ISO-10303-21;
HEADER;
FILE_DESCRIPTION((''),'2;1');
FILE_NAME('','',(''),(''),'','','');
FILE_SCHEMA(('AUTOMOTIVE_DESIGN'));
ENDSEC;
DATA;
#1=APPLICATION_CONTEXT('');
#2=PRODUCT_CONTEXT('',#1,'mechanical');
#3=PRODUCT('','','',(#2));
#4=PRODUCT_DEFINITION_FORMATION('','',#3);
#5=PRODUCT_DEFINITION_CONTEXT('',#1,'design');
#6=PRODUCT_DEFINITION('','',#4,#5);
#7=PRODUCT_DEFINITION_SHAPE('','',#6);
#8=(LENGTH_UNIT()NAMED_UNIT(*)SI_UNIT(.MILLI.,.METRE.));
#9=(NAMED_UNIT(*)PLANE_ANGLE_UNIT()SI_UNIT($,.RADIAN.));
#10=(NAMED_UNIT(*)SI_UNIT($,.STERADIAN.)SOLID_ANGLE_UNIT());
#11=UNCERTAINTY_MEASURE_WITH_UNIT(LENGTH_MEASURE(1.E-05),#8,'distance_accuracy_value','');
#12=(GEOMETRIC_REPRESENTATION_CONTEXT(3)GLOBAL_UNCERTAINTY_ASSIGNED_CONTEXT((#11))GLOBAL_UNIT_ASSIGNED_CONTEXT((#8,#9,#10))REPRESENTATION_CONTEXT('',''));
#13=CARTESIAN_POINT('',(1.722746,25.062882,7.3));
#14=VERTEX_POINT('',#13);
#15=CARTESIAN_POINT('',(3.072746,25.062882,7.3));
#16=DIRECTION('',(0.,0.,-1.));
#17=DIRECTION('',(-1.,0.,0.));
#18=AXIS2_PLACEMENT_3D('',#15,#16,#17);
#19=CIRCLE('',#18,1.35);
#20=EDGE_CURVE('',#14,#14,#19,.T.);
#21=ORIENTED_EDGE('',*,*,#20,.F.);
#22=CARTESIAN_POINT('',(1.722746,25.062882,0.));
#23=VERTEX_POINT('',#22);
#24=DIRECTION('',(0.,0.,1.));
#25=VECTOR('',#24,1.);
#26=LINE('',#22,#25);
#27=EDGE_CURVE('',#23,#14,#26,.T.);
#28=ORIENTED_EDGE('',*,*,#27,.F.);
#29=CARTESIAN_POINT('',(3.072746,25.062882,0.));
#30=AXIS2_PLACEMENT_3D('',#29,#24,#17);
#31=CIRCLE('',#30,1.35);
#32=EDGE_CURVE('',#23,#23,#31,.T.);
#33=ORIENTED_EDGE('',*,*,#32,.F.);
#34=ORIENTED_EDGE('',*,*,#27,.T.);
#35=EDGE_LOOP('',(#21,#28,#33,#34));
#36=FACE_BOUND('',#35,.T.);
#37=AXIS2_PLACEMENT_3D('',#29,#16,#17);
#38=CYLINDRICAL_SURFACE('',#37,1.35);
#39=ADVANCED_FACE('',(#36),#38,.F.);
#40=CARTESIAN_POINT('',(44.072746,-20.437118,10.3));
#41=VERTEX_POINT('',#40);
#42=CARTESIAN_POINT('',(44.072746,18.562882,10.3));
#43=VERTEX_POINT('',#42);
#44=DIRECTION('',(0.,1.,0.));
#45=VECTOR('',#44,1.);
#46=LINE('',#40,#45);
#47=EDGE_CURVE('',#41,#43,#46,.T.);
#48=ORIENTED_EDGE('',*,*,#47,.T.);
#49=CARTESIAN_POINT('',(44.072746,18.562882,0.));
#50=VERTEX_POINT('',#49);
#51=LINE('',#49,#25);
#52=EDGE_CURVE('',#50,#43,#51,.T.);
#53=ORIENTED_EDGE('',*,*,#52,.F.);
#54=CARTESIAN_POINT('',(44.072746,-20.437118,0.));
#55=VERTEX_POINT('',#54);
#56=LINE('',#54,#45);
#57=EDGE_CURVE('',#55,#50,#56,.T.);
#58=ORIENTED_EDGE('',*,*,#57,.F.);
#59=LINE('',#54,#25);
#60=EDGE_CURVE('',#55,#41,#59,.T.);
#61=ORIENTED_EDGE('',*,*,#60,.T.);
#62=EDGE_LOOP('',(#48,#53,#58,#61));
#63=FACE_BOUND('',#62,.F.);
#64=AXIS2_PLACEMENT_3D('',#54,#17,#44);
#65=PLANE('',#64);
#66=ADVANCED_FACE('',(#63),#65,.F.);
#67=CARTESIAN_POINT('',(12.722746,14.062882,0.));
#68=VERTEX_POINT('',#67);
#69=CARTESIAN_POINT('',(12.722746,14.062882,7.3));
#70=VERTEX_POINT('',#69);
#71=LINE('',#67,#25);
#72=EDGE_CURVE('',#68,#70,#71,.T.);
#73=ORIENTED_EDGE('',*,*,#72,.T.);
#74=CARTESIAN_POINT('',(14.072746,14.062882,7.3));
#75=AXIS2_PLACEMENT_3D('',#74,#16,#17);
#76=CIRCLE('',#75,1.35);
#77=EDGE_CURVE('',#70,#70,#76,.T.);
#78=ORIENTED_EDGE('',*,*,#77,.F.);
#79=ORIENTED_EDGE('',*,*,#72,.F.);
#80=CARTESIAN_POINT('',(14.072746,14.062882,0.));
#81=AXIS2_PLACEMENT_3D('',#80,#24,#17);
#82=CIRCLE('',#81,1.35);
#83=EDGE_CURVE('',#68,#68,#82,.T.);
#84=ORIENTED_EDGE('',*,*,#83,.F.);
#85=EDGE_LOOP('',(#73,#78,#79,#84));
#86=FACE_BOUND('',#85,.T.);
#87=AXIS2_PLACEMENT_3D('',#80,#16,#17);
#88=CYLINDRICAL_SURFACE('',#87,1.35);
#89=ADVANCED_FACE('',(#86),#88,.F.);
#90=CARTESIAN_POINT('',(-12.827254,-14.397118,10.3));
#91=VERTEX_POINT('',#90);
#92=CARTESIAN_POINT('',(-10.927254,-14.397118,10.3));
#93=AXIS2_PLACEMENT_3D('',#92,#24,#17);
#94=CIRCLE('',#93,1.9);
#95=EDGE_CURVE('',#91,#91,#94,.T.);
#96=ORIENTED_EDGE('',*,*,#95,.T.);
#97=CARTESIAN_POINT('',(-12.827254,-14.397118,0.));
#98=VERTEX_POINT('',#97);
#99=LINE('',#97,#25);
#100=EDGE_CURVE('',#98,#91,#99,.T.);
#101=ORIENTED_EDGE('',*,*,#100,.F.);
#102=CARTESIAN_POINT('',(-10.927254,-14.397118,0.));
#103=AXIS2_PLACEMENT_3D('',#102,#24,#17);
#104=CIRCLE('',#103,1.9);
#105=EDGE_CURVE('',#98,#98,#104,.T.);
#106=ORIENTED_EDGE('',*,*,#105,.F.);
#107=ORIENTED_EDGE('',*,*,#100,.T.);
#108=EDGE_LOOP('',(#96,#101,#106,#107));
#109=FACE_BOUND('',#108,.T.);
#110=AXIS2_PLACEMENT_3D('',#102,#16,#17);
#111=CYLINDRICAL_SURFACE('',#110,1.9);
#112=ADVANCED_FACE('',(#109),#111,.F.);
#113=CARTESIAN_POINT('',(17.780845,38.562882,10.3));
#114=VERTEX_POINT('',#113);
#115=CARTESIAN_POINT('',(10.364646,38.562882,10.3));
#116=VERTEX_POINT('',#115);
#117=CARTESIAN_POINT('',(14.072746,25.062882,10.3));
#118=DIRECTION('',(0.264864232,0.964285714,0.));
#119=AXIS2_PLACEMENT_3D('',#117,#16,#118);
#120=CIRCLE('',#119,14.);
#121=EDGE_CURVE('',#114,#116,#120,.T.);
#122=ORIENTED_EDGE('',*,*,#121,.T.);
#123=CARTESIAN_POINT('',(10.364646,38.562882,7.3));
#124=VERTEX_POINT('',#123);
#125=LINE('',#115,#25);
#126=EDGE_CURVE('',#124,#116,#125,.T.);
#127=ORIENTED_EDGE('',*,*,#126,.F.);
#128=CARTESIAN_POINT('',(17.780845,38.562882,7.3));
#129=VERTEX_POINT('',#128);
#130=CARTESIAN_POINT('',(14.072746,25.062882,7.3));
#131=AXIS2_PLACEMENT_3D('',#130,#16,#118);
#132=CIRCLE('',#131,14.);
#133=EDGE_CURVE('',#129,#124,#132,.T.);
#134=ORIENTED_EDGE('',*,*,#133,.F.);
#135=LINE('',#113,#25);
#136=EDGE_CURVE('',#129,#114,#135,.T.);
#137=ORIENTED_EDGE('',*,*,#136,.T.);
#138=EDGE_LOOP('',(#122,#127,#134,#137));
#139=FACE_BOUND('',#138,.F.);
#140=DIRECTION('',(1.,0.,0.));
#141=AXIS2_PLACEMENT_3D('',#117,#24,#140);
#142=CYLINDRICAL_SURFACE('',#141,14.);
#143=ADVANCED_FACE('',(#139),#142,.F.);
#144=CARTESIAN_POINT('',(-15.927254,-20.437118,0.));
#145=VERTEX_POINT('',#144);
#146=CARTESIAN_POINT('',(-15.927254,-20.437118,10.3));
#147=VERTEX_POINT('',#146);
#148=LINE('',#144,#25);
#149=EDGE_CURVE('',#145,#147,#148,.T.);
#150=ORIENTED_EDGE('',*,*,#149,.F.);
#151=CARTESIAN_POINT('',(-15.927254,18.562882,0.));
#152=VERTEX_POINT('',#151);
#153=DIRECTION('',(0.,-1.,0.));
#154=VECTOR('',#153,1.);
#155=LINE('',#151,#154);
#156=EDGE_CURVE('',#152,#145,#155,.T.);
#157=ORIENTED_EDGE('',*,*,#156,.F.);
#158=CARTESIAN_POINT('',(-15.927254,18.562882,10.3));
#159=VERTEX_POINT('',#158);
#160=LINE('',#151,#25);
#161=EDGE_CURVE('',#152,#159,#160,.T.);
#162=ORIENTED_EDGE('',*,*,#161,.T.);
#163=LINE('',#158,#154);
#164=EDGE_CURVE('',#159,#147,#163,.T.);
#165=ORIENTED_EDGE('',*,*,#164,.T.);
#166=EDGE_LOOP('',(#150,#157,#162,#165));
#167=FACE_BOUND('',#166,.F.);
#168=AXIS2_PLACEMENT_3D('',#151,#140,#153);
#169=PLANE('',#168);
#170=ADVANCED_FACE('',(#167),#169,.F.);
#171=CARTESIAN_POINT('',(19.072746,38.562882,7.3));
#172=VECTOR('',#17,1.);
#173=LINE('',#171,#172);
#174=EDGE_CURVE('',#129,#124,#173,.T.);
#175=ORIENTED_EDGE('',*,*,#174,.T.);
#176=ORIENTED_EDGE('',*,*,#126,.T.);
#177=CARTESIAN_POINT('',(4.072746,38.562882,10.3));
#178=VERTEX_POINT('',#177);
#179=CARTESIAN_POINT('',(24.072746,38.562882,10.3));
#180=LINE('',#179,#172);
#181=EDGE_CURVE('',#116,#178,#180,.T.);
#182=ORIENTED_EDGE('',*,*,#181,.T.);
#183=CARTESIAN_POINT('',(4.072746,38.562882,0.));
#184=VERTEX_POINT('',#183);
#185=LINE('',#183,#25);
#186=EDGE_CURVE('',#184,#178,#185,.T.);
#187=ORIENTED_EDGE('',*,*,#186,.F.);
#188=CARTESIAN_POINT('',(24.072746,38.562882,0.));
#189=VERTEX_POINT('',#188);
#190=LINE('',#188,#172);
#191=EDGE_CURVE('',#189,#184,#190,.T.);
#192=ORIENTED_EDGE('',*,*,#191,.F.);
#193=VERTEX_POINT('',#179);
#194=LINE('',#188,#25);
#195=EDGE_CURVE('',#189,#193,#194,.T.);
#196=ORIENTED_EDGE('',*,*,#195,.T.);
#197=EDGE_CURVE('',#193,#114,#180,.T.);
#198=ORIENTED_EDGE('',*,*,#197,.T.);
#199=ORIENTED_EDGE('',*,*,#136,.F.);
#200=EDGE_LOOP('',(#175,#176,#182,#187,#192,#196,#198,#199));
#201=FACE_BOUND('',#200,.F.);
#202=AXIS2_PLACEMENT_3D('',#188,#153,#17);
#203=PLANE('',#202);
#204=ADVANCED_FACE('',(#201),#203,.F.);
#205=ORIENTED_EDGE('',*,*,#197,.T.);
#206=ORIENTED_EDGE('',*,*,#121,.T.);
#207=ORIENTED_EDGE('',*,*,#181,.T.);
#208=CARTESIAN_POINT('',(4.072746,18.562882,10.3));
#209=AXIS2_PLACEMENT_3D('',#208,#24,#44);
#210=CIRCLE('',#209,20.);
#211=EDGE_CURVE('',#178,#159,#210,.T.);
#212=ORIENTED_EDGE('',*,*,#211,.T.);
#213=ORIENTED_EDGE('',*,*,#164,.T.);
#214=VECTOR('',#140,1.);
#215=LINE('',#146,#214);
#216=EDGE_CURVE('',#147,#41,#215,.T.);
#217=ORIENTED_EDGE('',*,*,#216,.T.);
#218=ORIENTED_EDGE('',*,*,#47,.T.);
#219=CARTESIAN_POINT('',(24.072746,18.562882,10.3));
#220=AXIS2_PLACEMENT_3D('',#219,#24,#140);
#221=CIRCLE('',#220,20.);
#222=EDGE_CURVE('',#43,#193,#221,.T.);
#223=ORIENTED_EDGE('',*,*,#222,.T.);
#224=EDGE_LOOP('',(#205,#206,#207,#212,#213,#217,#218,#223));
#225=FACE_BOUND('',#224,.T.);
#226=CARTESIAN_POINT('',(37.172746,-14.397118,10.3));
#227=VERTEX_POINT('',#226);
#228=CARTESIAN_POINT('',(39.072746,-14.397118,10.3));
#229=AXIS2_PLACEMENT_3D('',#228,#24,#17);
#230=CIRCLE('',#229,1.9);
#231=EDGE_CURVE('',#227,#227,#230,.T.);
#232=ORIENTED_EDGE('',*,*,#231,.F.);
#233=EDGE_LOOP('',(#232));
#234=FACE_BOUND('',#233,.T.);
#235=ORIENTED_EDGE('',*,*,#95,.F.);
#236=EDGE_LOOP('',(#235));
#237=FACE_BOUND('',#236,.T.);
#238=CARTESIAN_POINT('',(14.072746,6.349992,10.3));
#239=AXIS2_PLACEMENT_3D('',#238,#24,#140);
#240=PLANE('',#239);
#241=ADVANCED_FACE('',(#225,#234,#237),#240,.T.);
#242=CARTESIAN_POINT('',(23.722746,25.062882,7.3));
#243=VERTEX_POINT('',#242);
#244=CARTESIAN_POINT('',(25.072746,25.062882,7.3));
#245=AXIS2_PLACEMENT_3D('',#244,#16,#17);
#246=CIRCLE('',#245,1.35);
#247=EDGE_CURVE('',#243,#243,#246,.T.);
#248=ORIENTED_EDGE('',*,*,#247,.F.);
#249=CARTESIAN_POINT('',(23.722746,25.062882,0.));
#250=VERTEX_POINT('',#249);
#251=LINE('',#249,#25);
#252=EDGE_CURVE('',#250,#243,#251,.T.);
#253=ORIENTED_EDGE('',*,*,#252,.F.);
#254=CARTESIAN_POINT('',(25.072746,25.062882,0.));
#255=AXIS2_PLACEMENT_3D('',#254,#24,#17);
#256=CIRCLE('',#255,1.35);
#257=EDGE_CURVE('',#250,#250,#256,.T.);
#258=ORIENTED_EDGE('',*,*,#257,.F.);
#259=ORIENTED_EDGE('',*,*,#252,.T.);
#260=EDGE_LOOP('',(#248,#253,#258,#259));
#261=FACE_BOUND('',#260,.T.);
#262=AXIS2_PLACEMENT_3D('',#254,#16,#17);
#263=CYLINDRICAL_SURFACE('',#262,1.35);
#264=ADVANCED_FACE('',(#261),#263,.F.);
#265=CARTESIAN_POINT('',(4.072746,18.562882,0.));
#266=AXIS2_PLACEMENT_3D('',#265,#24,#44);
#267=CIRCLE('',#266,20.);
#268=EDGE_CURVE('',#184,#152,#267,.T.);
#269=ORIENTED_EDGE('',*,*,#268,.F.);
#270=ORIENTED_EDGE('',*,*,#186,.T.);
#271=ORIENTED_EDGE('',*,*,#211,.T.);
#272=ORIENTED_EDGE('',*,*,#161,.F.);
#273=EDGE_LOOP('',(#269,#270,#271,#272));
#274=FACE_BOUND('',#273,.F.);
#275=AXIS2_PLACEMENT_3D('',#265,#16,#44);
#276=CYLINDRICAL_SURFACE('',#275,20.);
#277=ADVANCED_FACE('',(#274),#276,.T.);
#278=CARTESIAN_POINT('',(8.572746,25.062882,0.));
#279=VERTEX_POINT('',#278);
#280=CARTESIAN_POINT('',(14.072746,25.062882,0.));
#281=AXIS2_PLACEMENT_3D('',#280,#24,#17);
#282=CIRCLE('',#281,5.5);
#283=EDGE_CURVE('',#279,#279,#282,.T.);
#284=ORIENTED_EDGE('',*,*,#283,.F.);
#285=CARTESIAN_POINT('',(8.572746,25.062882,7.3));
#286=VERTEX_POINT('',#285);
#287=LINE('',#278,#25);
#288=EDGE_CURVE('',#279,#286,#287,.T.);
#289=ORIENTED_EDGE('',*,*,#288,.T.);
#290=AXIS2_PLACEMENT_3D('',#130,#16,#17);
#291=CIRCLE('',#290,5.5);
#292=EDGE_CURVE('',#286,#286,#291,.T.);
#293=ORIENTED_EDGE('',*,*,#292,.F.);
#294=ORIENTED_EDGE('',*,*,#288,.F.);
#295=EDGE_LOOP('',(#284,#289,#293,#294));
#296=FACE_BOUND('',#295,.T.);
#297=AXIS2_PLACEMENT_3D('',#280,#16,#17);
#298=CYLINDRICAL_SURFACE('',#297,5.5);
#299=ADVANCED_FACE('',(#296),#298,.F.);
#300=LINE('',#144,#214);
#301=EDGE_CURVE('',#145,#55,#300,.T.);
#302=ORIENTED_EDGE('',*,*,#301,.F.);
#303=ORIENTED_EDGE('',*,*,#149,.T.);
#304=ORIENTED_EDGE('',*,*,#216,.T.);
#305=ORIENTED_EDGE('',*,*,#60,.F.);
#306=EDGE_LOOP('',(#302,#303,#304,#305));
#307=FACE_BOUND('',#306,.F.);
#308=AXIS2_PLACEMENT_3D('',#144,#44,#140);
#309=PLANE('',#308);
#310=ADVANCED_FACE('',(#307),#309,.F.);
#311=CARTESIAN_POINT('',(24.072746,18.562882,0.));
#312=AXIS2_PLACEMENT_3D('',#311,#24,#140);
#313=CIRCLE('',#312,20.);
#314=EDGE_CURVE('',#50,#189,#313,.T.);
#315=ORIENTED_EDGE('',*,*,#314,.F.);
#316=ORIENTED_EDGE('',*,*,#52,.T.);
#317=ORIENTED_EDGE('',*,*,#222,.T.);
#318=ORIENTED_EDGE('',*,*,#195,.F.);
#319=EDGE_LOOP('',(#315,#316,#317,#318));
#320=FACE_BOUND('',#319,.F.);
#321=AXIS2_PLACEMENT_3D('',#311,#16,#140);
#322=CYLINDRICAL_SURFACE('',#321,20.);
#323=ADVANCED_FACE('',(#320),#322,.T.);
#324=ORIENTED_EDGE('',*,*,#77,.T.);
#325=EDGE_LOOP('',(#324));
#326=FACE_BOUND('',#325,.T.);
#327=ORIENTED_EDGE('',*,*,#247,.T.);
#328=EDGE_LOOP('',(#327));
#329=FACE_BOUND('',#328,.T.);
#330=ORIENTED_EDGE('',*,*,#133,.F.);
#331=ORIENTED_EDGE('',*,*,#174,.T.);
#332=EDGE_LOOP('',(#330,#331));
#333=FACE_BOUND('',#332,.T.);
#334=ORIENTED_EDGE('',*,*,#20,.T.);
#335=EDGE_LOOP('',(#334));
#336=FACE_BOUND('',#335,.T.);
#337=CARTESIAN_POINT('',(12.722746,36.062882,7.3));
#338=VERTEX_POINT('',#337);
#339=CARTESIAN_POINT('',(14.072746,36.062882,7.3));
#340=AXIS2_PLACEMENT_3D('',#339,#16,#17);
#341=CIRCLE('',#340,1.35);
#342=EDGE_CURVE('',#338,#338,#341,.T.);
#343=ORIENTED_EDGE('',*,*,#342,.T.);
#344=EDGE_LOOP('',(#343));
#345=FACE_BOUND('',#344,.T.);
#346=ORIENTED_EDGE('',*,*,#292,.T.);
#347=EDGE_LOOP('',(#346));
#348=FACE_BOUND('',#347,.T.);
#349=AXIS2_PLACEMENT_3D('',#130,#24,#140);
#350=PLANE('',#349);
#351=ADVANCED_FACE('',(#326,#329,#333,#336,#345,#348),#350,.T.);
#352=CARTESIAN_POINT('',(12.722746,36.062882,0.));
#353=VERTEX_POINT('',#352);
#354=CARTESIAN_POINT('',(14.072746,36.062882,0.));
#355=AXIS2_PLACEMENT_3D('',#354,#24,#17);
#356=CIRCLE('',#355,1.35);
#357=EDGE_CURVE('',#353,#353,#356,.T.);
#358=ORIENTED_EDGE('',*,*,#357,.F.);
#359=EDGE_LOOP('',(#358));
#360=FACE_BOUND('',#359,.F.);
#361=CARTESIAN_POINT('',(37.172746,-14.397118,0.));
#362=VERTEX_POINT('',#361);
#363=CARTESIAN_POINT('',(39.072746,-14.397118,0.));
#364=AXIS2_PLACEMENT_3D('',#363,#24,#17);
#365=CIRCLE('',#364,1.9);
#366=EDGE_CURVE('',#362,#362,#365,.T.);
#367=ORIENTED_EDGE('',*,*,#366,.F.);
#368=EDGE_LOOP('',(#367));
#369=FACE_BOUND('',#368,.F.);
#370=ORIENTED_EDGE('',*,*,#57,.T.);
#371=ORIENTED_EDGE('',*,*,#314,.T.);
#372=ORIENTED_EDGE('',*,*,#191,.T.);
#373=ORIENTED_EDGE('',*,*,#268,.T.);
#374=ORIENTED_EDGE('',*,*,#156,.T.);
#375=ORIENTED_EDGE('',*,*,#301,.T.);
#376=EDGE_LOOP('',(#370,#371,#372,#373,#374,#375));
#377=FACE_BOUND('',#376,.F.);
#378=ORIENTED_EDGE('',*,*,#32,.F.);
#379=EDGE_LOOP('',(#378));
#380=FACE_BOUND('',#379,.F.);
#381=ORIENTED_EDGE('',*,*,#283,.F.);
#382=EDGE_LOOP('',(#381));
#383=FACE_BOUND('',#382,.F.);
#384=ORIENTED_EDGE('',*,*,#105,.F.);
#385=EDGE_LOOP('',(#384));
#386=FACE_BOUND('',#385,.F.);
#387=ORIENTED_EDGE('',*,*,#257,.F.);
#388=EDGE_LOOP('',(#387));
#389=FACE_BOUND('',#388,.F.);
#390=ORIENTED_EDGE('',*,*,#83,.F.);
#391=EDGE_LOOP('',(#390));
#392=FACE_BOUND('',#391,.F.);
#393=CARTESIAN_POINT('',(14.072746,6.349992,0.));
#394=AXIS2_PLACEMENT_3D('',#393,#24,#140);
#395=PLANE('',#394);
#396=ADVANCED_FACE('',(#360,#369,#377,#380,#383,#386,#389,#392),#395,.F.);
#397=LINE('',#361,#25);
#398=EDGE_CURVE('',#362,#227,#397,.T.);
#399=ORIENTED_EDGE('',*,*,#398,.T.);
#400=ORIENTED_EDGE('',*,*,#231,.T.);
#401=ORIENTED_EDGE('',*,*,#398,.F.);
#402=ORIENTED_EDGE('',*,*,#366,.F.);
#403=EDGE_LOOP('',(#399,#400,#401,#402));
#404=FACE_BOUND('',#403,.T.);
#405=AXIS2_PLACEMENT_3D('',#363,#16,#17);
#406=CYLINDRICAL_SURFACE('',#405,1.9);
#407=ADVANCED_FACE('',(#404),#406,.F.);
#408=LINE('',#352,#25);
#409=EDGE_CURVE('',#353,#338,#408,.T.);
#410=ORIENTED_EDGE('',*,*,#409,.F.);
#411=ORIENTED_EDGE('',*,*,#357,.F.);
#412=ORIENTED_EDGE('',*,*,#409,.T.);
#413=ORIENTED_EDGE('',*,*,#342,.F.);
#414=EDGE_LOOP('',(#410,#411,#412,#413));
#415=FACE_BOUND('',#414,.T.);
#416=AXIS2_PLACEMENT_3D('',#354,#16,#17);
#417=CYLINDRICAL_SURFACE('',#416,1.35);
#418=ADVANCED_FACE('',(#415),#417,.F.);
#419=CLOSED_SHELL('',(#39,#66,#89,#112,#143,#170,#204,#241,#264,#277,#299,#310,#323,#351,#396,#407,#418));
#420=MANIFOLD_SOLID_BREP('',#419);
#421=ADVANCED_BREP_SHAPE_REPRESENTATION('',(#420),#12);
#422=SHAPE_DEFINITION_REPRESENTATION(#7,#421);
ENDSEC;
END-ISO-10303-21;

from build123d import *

# Parameters (mm, degrees)
IZIM1_R                     = 1.9
IZIM1_R_2                   = 5.5
IZIM1_R_3                   = 1.35
Y_KSEKLIK_EKSTR_ZYON1_DEPTH = 10.3
IZIM2_R                     = 14
KES_EKSTR_ZYON1_DEPTH       = 3


with BuildPart() as part:
    # Çizim1 → Yükseklik-Ekstrüzyon1 (new body)
    with BuildSketch(Plane.XY):
        with BuildLine():
            Line((-15.927254298, -20.437118131), (44.072745702, -20.437118131))
            Line((44.072745702, -20.437118131), (44.072745702, 18.562881869))
            ThreePointArc((44.072745702, 18.562881869), (38.214881326, 32.705017493), (24.072745702, 38.562881869))
            Line((24.072745702, 38.562881869), (4.072745702, 38.562881869))
            ThreePointArc((4.072745702, 38.562881869), (-10.069389922, 32.705017493), (-15.927254298, 18.562881869))
            Line((-15.927254298, 18.562881869), (-15.927254298, -20.437118131))
        make_face()
        with Locations(Location((-10.927254298, -14.397118131, 0), (0, 0, 180))):
            Circle(IZIM1_R, mode=Mode.SUBTRACT)
        with Locations(Location((39.072745702, -14.397118131, 0), (0, 0, 180))):
            Circle(IZIM1_R, mode=Mode.SUBTRACT)
        with Locations(Location((14.072745702, 25.062881869, 0), (0, 0, 180))):
            Circle(IZIM1_R_2, mode=Mode.SUBTRACT)
        with Locations(Location((3.072745702, 25.062881869, 0), (0, 0, 180))):
            Circle(IZIM1_R_3, mode=Mode.SUBTRACT)
        with Locations(Location((14.072745702, 36.062881869, 0), (0, 0, 180))):
            Circle(IZIM1_R_3, mode=Mode.SUBTRACT)
        with Locations(Location((25.072745702, 25.062881869, 0), (0, 0, 180))):
            Circle(IZIM1_R_3, mode=Mode.SUBTRACT)
        with Locations(Location((14.072745702, 14.062881869, 0), (0, 0, 180))):
            Circle(IZIM1_R_3, mode=Mode.SUBTRACT)
    extrude(amount=Y_KSEKLIK_EKSTR_ZYON1_DEPTH)

    # Çizim2 → Kes-Ekstrüzyon1 (cut)
    with BuildSketch(Plane.XY.offset(10.3)):
        with Locations((14.072745702, 25.062881869)):
            Circle(IZIM2_R)
    extrude(amount=-KES_EKSTR_ZYON1_DEPTH, mode=Mode.SUBTRACT)


solid = part.part
